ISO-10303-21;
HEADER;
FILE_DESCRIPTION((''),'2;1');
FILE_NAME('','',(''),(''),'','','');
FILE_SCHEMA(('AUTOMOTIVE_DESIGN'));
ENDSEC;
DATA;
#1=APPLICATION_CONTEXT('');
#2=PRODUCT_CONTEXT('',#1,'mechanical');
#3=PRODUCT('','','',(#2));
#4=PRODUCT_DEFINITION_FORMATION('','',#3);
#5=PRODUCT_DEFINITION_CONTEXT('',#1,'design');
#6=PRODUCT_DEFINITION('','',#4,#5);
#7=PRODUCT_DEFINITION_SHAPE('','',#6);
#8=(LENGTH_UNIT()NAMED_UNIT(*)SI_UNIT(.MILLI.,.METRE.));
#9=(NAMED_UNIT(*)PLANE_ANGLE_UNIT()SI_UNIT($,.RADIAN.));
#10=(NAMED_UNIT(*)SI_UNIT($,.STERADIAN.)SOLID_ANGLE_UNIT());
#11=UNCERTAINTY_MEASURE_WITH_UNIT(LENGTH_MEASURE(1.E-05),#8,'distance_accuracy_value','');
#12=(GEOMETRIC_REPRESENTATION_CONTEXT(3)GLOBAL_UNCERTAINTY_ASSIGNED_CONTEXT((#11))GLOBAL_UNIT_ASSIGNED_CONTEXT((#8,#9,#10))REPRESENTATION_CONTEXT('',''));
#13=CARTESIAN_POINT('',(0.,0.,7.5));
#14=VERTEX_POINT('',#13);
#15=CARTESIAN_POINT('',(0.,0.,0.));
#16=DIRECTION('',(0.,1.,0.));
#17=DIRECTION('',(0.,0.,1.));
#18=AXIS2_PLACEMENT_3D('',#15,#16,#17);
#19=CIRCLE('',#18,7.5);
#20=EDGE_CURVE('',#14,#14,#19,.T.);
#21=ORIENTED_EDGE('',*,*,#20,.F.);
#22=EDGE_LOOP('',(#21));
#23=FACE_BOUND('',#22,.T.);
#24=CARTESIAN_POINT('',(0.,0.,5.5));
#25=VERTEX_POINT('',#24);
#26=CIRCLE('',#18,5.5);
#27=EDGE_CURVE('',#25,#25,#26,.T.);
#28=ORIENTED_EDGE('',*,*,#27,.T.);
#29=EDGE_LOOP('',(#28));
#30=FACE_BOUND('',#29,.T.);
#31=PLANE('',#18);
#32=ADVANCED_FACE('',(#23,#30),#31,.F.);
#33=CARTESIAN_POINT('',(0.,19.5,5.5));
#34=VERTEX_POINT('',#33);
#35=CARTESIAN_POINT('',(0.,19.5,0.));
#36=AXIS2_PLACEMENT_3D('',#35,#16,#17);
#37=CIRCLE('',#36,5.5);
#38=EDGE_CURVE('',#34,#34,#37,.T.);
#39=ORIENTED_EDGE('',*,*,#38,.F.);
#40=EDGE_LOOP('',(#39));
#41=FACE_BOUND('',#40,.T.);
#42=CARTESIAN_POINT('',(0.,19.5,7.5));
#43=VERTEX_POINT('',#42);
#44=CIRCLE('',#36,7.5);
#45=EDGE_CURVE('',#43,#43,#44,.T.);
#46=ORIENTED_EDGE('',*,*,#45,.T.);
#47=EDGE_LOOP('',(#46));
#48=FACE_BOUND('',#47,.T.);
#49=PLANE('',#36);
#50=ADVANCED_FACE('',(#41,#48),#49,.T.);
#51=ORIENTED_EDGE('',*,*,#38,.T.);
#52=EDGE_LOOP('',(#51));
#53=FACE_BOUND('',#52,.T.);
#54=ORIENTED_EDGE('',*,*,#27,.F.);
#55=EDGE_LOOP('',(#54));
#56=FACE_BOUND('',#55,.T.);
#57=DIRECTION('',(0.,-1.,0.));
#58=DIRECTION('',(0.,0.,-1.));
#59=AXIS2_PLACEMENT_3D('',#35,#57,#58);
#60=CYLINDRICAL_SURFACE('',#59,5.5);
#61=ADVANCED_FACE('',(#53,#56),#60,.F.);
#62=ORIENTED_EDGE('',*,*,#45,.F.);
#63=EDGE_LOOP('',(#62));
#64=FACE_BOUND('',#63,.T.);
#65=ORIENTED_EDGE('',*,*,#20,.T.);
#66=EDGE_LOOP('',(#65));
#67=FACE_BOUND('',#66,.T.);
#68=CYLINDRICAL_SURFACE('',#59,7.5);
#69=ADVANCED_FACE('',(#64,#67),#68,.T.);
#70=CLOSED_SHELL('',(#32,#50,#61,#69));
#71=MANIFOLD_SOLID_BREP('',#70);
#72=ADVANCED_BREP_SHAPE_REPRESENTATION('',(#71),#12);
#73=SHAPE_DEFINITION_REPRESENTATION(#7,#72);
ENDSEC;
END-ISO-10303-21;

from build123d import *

# Parameters (mm, degrees)
CROQUIS1_R              = 7.5
CROQUIS1_R_2            = 5.5
SALIENTE_EXTRUIR1_DEPTH = 19.5


with BuildPart() as part:
    # Croquis1 → Saliente-Extruir1 (new body)
    with BuildSketch(Plane(origin=(0, 0, 0), x_dir=(1, 0, 0), z_dir=(0, 1, 0))):
        Circle(CROQUIS1_R)
        Circle(CROQUIS1_R_2, mode=Mode.SUBTRACT)
    extrude(amount=SALIENTE_EXTRUIR1_DEPTH)


solid = part.part
